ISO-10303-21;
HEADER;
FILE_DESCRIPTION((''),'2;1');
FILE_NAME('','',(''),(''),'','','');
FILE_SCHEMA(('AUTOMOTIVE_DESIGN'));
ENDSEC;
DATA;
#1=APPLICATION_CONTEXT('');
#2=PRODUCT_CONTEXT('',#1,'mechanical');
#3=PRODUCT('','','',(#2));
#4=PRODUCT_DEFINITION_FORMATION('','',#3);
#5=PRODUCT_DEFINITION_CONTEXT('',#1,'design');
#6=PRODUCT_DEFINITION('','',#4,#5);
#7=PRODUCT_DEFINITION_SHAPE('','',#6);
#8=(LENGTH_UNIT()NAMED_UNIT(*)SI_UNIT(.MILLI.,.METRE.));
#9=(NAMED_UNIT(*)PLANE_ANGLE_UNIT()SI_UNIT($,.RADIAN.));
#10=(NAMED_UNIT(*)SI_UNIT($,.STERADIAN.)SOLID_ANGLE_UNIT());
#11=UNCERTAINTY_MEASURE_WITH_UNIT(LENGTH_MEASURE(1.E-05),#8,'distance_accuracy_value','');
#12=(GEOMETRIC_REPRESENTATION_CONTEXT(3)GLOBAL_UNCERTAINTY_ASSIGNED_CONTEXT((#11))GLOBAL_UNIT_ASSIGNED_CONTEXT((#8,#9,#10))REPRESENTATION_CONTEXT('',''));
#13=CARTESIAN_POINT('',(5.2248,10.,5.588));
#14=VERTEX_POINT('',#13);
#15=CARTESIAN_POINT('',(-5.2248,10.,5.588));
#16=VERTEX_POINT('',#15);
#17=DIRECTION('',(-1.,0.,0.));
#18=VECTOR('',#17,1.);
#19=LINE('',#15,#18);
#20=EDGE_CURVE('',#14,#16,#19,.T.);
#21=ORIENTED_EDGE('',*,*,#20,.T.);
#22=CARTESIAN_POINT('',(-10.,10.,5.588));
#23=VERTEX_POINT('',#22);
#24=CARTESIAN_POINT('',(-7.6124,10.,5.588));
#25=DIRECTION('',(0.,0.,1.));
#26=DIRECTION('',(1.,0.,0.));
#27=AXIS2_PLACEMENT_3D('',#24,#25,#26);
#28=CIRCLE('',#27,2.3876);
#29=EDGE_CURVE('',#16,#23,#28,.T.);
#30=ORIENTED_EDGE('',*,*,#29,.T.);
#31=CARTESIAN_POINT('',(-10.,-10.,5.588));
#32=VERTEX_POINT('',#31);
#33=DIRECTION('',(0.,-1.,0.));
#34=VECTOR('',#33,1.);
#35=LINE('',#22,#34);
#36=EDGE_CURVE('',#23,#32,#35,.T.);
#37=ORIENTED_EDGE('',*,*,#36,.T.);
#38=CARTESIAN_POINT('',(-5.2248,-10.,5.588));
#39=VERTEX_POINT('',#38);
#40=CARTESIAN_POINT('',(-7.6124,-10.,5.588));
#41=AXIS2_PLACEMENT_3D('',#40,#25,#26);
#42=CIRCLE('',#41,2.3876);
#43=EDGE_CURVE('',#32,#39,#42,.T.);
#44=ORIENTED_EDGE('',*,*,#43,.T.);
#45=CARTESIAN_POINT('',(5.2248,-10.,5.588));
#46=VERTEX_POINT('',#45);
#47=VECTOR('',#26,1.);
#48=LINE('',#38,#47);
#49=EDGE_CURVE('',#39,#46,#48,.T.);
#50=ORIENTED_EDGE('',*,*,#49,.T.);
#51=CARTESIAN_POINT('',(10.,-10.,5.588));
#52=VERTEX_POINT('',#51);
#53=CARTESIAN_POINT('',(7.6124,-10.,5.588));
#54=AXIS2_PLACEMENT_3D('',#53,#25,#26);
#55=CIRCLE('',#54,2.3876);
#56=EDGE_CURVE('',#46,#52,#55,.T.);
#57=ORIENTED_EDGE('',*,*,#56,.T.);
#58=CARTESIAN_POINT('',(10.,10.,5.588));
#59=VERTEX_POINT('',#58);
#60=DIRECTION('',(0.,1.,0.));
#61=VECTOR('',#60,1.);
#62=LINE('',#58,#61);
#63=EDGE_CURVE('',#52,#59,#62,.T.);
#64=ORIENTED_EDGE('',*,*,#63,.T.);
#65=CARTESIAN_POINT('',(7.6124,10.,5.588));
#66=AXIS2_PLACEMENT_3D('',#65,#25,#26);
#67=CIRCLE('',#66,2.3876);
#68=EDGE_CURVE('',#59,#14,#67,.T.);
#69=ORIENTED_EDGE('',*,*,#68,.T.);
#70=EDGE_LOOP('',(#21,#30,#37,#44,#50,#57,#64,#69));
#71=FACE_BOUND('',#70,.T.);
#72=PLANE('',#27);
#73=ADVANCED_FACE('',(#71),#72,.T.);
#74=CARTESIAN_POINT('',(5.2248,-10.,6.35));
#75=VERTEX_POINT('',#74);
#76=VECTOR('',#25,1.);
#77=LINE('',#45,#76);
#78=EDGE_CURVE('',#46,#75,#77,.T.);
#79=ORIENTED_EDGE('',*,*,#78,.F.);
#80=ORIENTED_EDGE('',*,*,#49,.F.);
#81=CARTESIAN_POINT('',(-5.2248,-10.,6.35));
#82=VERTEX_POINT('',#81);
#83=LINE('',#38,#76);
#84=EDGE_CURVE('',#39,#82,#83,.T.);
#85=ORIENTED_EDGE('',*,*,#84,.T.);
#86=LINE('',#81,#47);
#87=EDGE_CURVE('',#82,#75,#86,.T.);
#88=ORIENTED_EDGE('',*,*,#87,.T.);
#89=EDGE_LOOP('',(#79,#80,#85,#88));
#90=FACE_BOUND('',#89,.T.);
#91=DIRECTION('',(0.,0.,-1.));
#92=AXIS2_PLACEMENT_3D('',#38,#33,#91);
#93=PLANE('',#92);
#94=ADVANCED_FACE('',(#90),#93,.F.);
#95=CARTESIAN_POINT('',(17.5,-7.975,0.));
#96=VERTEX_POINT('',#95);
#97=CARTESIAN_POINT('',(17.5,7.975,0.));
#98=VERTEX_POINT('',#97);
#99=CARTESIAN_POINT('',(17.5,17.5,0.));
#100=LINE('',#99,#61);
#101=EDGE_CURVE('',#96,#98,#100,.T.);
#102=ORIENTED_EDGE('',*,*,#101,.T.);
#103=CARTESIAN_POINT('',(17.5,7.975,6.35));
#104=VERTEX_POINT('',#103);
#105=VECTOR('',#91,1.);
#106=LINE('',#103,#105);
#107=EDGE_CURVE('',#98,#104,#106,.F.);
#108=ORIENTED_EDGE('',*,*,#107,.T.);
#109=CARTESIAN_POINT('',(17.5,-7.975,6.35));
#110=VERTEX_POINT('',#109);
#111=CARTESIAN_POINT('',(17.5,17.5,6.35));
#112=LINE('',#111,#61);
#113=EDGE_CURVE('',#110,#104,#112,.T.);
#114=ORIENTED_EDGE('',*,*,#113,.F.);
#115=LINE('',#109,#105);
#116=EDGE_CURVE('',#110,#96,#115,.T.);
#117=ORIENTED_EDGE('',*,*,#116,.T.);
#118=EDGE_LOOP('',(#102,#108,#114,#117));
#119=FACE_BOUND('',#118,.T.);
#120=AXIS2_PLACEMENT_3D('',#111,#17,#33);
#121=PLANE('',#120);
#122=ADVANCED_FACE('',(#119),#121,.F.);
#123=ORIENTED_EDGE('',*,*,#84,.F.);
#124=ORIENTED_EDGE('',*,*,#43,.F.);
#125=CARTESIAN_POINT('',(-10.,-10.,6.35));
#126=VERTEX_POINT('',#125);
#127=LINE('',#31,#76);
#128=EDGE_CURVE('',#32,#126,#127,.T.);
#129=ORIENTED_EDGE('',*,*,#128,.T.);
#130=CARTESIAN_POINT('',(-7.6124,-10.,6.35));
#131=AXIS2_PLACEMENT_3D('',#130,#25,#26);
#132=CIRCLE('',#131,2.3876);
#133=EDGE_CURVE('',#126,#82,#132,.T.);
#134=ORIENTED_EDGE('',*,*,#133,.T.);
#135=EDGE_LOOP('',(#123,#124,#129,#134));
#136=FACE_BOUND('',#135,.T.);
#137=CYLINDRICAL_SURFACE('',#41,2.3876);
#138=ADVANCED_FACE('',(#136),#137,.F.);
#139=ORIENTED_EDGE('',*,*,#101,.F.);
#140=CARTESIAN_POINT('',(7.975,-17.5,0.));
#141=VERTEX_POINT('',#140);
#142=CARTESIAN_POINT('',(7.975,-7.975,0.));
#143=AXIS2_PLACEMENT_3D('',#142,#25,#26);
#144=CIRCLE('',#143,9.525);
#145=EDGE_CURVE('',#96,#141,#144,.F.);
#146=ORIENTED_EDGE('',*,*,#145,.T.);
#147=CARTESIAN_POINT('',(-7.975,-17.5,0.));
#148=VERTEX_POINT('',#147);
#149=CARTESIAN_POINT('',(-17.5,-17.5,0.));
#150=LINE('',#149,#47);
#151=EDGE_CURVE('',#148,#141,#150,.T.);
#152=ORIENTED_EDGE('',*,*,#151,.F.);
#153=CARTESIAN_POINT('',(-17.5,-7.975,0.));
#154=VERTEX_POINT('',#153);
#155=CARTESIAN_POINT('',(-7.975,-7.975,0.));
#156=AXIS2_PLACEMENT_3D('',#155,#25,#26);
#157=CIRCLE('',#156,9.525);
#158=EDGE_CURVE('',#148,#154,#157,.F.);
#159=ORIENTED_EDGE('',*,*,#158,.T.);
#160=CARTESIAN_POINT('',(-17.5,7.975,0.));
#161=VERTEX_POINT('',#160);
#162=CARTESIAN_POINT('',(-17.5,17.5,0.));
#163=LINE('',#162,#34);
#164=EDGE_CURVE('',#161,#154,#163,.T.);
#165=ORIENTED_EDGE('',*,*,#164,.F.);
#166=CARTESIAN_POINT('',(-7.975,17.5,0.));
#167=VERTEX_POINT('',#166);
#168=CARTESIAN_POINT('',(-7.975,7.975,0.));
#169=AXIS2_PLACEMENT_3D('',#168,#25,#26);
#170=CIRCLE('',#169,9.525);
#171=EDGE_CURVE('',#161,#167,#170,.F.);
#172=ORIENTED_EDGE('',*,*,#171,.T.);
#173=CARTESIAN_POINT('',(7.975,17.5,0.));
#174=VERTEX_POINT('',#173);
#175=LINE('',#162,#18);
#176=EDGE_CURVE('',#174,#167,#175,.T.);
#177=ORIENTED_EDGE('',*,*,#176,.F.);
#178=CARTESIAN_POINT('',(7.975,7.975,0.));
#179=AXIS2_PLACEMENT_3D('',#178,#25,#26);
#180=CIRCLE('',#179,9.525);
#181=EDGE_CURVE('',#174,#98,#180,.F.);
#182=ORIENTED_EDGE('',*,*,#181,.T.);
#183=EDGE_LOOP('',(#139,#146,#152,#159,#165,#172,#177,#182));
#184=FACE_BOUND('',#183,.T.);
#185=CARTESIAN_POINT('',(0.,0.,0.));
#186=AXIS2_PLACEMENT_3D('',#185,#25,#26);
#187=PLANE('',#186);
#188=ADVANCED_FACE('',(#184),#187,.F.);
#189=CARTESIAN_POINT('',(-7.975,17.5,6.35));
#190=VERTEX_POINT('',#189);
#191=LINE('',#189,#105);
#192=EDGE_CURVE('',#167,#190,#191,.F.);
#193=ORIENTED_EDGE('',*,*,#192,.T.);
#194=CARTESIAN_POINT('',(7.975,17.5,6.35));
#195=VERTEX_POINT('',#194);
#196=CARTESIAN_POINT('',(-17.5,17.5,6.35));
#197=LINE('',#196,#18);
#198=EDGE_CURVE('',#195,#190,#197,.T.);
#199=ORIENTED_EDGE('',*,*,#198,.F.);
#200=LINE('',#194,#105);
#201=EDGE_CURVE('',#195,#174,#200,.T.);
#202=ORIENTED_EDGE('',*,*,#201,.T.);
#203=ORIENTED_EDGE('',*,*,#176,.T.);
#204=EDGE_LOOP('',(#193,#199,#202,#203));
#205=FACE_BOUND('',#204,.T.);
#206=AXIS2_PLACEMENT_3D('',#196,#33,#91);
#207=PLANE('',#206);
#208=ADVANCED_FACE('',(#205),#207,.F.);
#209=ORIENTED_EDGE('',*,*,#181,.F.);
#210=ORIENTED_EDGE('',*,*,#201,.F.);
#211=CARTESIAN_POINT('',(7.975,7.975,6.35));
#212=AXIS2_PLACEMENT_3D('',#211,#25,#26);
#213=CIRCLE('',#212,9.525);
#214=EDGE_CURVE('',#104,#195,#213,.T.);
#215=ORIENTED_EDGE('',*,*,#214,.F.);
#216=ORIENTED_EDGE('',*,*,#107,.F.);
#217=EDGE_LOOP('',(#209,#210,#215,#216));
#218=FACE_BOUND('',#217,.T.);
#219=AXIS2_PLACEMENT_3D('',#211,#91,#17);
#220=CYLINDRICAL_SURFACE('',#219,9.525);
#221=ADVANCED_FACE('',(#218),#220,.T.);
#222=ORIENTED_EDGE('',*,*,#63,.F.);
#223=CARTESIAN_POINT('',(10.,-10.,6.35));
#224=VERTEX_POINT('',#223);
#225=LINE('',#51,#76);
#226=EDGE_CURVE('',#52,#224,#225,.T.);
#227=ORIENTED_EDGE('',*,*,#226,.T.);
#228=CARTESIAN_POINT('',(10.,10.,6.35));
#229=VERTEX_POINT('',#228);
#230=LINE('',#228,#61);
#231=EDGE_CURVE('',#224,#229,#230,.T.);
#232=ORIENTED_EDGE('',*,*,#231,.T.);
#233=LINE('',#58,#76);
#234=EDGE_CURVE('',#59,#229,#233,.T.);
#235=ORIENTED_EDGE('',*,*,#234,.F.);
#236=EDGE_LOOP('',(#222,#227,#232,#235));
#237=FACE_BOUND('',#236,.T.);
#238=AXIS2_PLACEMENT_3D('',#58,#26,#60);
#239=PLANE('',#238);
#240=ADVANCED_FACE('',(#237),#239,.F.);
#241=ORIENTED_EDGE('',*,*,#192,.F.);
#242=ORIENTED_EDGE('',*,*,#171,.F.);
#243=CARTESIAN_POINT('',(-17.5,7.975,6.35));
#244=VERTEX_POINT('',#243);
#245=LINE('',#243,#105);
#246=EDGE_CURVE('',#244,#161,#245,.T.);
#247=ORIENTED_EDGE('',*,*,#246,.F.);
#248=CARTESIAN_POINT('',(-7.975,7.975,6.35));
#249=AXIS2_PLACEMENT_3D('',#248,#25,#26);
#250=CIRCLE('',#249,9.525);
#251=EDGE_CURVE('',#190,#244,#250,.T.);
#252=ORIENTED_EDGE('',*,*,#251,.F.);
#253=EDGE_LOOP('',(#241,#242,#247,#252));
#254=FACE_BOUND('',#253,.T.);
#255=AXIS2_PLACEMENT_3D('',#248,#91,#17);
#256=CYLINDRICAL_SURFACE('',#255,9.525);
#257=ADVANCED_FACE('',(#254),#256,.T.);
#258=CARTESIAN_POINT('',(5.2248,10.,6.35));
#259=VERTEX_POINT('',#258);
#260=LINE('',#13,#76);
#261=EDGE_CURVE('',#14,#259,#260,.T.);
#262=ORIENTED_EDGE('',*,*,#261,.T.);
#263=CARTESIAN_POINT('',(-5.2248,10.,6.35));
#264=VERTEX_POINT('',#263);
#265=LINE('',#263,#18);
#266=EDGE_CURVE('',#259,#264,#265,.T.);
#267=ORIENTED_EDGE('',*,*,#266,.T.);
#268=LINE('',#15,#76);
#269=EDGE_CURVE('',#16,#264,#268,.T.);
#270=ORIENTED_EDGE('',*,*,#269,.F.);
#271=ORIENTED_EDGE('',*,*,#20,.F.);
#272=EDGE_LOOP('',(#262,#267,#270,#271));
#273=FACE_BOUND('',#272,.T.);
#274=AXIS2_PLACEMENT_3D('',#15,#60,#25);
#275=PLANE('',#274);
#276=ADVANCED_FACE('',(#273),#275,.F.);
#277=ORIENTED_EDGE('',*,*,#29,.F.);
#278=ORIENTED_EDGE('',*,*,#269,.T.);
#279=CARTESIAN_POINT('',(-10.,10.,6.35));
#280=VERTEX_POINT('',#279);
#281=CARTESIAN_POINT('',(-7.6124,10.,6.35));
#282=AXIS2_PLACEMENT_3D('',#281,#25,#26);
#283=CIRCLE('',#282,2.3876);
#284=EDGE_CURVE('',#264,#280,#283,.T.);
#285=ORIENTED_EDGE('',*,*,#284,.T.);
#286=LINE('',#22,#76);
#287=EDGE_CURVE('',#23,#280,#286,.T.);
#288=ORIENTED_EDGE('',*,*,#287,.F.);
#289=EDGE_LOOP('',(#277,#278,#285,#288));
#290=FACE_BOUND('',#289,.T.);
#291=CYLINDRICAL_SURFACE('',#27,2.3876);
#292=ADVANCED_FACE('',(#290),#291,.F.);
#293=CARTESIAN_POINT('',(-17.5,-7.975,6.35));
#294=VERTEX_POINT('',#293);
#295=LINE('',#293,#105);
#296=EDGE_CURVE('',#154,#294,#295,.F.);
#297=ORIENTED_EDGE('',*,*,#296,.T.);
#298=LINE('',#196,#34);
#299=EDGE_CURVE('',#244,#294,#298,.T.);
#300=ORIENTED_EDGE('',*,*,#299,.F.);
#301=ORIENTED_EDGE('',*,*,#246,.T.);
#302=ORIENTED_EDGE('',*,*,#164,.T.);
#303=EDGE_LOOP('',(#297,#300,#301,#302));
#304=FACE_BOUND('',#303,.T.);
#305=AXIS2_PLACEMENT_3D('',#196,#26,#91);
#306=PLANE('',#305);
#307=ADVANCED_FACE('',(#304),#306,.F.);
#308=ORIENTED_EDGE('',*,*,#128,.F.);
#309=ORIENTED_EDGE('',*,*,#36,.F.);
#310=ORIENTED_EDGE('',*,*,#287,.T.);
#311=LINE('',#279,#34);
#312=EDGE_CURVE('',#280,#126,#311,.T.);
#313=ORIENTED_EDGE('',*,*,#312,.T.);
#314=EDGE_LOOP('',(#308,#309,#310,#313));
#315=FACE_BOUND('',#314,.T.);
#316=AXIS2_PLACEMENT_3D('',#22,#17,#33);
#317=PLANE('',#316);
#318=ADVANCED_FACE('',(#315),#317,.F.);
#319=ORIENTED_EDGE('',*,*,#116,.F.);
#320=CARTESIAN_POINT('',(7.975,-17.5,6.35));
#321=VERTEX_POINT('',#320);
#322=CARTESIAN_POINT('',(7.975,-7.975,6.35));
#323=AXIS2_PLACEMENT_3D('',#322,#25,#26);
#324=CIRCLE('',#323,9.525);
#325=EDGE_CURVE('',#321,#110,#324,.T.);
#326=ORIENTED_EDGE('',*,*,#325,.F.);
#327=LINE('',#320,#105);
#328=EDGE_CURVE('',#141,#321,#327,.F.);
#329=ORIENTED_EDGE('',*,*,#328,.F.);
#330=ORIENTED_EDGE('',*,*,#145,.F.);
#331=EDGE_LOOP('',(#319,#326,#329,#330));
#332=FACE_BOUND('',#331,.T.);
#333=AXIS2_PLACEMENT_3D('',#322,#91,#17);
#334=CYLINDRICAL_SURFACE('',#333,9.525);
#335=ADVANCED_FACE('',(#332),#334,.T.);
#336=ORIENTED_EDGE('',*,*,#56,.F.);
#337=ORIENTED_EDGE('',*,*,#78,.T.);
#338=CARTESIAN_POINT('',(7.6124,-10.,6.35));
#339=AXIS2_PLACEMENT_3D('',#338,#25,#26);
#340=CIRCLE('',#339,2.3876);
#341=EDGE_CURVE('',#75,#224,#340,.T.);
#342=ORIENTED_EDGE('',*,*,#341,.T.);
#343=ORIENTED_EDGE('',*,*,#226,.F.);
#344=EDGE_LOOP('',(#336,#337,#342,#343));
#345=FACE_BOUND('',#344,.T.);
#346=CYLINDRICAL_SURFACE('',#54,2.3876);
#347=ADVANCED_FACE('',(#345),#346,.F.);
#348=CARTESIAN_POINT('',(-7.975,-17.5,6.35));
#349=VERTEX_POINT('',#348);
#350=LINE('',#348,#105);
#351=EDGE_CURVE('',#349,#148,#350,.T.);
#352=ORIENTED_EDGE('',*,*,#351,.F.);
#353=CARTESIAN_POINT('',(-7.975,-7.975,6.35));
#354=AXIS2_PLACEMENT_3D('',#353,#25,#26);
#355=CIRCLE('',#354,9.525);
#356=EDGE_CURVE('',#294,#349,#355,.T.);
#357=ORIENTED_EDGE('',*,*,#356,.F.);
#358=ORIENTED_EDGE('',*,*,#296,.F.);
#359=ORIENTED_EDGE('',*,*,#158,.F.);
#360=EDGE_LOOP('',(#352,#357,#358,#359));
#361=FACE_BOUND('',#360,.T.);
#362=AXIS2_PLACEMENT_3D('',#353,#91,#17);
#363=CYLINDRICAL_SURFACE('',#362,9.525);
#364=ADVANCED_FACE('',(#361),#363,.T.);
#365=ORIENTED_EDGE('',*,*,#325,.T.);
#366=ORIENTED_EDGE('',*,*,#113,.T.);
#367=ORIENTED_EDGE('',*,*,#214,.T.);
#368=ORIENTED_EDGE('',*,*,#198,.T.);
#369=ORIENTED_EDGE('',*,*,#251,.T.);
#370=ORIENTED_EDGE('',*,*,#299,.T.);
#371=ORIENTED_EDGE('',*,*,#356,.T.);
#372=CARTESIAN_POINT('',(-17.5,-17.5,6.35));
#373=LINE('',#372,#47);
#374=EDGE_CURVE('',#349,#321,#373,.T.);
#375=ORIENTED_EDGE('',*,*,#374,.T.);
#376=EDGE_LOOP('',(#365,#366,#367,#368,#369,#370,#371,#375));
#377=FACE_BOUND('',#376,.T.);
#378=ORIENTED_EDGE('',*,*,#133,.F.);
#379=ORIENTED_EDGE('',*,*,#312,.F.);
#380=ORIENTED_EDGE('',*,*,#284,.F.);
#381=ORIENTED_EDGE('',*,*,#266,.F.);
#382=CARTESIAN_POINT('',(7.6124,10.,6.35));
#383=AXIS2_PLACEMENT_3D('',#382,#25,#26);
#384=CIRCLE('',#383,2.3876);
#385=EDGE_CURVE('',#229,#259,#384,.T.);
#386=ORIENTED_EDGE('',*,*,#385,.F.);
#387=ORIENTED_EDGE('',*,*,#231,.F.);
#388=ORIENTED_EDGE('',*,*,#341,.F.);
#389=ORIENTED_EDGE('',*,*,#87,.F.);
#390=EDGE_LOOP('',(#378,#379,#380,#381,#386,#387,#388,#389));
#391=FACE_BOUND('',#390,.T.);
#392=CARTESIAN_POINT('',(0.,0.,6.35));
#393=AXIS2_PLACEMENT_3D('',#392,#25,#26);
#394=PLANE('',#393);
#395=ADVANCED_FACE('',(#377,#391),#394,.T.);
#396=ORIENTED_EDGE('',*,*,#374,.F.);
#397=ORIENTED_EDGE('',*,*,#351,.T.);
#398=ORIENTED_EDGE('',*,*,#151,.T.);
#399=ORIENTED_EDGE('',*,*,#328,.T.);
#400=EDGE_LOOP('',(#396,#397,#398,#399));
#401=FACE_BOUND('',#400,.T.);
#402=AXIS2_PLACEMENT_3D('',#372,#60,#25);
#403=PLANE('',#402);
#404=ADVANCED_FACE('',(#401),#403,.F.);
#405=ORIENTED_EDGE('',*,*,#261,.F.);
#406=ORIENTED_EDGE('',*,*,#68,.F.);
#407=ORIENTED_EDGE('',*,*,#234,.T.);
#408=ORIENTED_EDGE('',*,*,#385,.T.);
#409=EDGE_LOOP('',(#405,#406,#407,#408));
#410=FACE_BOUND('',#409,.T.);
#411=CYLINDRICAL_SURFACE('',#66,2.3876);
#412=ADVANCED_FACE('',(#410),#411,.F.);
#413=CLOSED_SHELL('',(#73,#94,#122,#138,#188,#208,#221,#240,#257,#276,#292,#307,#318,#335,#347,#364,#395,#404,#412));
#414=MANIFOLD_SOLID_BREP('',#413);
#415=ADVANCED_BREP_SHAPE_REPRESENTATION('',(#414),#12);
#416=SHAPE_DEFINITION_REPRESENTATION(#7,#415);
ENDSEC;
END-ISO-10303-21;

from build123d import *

# Parameters (mm, degrees)
SKETCH1_W           = 35
SKETCH1_H           = 35
BOSS_EXTRUDE1_DEPTH = 6.35
CUT_EXTRUDE1_DEPTH  = 0.762
FILLET1_R           = 9.525


with BuildPart() as part:
    # Sketch1 → Boss-Extrude1 (new body)
    with BuildSketch(Plane.XY):
        Rectangle(SKETCH1_W, SKETCH1_H)
    extrude(amount=BOSS_EXTRUDE1_DEPTH)

    # Sketch3 → Cut-Extrude1 (cut)
    with BuildSketch(Plane.XY.offset(6.35)):
        with BuildLine():
            Line((-10, 10), (-10, -10))
            ThreePointArc((-10, -10), (-7.6124, -12.3876), (-5.2248, -10))
            Line((-5.2248, -10), (5.2248, -10))
            ThreePointArc((5.2248, -10), (7.6124, -12.3876), (10, -10))
            Line((10, -10), (10, 10))
            ThreePointArc((10, 10), (7.6124, 12.3876), (5.2248, 10))
            Line((5.2248, 10), (-5.2248, 10))
            ThreePointArc((-5.2248, 10), (-7.6124, 12.3876), (-10, 10))
        make_face()
    extrude(amount=-CUT_EXTRUDE1_DEPTH, mode=Mode.SUBTRACT)

    # Fillet1
    fillet1_edges = [part.edges().sort_by_distance(p)[0] for p in [
        (17.5, -17.5, 3.175),
        (-17.5, -17.5, 3.175),
        (-17.5, 17.5, 3.175),
        (17.5, 17.5, 3.175),
    ]]
    fillet(fillet1_edges, radius=FILLET1_R)


solid = part.part
